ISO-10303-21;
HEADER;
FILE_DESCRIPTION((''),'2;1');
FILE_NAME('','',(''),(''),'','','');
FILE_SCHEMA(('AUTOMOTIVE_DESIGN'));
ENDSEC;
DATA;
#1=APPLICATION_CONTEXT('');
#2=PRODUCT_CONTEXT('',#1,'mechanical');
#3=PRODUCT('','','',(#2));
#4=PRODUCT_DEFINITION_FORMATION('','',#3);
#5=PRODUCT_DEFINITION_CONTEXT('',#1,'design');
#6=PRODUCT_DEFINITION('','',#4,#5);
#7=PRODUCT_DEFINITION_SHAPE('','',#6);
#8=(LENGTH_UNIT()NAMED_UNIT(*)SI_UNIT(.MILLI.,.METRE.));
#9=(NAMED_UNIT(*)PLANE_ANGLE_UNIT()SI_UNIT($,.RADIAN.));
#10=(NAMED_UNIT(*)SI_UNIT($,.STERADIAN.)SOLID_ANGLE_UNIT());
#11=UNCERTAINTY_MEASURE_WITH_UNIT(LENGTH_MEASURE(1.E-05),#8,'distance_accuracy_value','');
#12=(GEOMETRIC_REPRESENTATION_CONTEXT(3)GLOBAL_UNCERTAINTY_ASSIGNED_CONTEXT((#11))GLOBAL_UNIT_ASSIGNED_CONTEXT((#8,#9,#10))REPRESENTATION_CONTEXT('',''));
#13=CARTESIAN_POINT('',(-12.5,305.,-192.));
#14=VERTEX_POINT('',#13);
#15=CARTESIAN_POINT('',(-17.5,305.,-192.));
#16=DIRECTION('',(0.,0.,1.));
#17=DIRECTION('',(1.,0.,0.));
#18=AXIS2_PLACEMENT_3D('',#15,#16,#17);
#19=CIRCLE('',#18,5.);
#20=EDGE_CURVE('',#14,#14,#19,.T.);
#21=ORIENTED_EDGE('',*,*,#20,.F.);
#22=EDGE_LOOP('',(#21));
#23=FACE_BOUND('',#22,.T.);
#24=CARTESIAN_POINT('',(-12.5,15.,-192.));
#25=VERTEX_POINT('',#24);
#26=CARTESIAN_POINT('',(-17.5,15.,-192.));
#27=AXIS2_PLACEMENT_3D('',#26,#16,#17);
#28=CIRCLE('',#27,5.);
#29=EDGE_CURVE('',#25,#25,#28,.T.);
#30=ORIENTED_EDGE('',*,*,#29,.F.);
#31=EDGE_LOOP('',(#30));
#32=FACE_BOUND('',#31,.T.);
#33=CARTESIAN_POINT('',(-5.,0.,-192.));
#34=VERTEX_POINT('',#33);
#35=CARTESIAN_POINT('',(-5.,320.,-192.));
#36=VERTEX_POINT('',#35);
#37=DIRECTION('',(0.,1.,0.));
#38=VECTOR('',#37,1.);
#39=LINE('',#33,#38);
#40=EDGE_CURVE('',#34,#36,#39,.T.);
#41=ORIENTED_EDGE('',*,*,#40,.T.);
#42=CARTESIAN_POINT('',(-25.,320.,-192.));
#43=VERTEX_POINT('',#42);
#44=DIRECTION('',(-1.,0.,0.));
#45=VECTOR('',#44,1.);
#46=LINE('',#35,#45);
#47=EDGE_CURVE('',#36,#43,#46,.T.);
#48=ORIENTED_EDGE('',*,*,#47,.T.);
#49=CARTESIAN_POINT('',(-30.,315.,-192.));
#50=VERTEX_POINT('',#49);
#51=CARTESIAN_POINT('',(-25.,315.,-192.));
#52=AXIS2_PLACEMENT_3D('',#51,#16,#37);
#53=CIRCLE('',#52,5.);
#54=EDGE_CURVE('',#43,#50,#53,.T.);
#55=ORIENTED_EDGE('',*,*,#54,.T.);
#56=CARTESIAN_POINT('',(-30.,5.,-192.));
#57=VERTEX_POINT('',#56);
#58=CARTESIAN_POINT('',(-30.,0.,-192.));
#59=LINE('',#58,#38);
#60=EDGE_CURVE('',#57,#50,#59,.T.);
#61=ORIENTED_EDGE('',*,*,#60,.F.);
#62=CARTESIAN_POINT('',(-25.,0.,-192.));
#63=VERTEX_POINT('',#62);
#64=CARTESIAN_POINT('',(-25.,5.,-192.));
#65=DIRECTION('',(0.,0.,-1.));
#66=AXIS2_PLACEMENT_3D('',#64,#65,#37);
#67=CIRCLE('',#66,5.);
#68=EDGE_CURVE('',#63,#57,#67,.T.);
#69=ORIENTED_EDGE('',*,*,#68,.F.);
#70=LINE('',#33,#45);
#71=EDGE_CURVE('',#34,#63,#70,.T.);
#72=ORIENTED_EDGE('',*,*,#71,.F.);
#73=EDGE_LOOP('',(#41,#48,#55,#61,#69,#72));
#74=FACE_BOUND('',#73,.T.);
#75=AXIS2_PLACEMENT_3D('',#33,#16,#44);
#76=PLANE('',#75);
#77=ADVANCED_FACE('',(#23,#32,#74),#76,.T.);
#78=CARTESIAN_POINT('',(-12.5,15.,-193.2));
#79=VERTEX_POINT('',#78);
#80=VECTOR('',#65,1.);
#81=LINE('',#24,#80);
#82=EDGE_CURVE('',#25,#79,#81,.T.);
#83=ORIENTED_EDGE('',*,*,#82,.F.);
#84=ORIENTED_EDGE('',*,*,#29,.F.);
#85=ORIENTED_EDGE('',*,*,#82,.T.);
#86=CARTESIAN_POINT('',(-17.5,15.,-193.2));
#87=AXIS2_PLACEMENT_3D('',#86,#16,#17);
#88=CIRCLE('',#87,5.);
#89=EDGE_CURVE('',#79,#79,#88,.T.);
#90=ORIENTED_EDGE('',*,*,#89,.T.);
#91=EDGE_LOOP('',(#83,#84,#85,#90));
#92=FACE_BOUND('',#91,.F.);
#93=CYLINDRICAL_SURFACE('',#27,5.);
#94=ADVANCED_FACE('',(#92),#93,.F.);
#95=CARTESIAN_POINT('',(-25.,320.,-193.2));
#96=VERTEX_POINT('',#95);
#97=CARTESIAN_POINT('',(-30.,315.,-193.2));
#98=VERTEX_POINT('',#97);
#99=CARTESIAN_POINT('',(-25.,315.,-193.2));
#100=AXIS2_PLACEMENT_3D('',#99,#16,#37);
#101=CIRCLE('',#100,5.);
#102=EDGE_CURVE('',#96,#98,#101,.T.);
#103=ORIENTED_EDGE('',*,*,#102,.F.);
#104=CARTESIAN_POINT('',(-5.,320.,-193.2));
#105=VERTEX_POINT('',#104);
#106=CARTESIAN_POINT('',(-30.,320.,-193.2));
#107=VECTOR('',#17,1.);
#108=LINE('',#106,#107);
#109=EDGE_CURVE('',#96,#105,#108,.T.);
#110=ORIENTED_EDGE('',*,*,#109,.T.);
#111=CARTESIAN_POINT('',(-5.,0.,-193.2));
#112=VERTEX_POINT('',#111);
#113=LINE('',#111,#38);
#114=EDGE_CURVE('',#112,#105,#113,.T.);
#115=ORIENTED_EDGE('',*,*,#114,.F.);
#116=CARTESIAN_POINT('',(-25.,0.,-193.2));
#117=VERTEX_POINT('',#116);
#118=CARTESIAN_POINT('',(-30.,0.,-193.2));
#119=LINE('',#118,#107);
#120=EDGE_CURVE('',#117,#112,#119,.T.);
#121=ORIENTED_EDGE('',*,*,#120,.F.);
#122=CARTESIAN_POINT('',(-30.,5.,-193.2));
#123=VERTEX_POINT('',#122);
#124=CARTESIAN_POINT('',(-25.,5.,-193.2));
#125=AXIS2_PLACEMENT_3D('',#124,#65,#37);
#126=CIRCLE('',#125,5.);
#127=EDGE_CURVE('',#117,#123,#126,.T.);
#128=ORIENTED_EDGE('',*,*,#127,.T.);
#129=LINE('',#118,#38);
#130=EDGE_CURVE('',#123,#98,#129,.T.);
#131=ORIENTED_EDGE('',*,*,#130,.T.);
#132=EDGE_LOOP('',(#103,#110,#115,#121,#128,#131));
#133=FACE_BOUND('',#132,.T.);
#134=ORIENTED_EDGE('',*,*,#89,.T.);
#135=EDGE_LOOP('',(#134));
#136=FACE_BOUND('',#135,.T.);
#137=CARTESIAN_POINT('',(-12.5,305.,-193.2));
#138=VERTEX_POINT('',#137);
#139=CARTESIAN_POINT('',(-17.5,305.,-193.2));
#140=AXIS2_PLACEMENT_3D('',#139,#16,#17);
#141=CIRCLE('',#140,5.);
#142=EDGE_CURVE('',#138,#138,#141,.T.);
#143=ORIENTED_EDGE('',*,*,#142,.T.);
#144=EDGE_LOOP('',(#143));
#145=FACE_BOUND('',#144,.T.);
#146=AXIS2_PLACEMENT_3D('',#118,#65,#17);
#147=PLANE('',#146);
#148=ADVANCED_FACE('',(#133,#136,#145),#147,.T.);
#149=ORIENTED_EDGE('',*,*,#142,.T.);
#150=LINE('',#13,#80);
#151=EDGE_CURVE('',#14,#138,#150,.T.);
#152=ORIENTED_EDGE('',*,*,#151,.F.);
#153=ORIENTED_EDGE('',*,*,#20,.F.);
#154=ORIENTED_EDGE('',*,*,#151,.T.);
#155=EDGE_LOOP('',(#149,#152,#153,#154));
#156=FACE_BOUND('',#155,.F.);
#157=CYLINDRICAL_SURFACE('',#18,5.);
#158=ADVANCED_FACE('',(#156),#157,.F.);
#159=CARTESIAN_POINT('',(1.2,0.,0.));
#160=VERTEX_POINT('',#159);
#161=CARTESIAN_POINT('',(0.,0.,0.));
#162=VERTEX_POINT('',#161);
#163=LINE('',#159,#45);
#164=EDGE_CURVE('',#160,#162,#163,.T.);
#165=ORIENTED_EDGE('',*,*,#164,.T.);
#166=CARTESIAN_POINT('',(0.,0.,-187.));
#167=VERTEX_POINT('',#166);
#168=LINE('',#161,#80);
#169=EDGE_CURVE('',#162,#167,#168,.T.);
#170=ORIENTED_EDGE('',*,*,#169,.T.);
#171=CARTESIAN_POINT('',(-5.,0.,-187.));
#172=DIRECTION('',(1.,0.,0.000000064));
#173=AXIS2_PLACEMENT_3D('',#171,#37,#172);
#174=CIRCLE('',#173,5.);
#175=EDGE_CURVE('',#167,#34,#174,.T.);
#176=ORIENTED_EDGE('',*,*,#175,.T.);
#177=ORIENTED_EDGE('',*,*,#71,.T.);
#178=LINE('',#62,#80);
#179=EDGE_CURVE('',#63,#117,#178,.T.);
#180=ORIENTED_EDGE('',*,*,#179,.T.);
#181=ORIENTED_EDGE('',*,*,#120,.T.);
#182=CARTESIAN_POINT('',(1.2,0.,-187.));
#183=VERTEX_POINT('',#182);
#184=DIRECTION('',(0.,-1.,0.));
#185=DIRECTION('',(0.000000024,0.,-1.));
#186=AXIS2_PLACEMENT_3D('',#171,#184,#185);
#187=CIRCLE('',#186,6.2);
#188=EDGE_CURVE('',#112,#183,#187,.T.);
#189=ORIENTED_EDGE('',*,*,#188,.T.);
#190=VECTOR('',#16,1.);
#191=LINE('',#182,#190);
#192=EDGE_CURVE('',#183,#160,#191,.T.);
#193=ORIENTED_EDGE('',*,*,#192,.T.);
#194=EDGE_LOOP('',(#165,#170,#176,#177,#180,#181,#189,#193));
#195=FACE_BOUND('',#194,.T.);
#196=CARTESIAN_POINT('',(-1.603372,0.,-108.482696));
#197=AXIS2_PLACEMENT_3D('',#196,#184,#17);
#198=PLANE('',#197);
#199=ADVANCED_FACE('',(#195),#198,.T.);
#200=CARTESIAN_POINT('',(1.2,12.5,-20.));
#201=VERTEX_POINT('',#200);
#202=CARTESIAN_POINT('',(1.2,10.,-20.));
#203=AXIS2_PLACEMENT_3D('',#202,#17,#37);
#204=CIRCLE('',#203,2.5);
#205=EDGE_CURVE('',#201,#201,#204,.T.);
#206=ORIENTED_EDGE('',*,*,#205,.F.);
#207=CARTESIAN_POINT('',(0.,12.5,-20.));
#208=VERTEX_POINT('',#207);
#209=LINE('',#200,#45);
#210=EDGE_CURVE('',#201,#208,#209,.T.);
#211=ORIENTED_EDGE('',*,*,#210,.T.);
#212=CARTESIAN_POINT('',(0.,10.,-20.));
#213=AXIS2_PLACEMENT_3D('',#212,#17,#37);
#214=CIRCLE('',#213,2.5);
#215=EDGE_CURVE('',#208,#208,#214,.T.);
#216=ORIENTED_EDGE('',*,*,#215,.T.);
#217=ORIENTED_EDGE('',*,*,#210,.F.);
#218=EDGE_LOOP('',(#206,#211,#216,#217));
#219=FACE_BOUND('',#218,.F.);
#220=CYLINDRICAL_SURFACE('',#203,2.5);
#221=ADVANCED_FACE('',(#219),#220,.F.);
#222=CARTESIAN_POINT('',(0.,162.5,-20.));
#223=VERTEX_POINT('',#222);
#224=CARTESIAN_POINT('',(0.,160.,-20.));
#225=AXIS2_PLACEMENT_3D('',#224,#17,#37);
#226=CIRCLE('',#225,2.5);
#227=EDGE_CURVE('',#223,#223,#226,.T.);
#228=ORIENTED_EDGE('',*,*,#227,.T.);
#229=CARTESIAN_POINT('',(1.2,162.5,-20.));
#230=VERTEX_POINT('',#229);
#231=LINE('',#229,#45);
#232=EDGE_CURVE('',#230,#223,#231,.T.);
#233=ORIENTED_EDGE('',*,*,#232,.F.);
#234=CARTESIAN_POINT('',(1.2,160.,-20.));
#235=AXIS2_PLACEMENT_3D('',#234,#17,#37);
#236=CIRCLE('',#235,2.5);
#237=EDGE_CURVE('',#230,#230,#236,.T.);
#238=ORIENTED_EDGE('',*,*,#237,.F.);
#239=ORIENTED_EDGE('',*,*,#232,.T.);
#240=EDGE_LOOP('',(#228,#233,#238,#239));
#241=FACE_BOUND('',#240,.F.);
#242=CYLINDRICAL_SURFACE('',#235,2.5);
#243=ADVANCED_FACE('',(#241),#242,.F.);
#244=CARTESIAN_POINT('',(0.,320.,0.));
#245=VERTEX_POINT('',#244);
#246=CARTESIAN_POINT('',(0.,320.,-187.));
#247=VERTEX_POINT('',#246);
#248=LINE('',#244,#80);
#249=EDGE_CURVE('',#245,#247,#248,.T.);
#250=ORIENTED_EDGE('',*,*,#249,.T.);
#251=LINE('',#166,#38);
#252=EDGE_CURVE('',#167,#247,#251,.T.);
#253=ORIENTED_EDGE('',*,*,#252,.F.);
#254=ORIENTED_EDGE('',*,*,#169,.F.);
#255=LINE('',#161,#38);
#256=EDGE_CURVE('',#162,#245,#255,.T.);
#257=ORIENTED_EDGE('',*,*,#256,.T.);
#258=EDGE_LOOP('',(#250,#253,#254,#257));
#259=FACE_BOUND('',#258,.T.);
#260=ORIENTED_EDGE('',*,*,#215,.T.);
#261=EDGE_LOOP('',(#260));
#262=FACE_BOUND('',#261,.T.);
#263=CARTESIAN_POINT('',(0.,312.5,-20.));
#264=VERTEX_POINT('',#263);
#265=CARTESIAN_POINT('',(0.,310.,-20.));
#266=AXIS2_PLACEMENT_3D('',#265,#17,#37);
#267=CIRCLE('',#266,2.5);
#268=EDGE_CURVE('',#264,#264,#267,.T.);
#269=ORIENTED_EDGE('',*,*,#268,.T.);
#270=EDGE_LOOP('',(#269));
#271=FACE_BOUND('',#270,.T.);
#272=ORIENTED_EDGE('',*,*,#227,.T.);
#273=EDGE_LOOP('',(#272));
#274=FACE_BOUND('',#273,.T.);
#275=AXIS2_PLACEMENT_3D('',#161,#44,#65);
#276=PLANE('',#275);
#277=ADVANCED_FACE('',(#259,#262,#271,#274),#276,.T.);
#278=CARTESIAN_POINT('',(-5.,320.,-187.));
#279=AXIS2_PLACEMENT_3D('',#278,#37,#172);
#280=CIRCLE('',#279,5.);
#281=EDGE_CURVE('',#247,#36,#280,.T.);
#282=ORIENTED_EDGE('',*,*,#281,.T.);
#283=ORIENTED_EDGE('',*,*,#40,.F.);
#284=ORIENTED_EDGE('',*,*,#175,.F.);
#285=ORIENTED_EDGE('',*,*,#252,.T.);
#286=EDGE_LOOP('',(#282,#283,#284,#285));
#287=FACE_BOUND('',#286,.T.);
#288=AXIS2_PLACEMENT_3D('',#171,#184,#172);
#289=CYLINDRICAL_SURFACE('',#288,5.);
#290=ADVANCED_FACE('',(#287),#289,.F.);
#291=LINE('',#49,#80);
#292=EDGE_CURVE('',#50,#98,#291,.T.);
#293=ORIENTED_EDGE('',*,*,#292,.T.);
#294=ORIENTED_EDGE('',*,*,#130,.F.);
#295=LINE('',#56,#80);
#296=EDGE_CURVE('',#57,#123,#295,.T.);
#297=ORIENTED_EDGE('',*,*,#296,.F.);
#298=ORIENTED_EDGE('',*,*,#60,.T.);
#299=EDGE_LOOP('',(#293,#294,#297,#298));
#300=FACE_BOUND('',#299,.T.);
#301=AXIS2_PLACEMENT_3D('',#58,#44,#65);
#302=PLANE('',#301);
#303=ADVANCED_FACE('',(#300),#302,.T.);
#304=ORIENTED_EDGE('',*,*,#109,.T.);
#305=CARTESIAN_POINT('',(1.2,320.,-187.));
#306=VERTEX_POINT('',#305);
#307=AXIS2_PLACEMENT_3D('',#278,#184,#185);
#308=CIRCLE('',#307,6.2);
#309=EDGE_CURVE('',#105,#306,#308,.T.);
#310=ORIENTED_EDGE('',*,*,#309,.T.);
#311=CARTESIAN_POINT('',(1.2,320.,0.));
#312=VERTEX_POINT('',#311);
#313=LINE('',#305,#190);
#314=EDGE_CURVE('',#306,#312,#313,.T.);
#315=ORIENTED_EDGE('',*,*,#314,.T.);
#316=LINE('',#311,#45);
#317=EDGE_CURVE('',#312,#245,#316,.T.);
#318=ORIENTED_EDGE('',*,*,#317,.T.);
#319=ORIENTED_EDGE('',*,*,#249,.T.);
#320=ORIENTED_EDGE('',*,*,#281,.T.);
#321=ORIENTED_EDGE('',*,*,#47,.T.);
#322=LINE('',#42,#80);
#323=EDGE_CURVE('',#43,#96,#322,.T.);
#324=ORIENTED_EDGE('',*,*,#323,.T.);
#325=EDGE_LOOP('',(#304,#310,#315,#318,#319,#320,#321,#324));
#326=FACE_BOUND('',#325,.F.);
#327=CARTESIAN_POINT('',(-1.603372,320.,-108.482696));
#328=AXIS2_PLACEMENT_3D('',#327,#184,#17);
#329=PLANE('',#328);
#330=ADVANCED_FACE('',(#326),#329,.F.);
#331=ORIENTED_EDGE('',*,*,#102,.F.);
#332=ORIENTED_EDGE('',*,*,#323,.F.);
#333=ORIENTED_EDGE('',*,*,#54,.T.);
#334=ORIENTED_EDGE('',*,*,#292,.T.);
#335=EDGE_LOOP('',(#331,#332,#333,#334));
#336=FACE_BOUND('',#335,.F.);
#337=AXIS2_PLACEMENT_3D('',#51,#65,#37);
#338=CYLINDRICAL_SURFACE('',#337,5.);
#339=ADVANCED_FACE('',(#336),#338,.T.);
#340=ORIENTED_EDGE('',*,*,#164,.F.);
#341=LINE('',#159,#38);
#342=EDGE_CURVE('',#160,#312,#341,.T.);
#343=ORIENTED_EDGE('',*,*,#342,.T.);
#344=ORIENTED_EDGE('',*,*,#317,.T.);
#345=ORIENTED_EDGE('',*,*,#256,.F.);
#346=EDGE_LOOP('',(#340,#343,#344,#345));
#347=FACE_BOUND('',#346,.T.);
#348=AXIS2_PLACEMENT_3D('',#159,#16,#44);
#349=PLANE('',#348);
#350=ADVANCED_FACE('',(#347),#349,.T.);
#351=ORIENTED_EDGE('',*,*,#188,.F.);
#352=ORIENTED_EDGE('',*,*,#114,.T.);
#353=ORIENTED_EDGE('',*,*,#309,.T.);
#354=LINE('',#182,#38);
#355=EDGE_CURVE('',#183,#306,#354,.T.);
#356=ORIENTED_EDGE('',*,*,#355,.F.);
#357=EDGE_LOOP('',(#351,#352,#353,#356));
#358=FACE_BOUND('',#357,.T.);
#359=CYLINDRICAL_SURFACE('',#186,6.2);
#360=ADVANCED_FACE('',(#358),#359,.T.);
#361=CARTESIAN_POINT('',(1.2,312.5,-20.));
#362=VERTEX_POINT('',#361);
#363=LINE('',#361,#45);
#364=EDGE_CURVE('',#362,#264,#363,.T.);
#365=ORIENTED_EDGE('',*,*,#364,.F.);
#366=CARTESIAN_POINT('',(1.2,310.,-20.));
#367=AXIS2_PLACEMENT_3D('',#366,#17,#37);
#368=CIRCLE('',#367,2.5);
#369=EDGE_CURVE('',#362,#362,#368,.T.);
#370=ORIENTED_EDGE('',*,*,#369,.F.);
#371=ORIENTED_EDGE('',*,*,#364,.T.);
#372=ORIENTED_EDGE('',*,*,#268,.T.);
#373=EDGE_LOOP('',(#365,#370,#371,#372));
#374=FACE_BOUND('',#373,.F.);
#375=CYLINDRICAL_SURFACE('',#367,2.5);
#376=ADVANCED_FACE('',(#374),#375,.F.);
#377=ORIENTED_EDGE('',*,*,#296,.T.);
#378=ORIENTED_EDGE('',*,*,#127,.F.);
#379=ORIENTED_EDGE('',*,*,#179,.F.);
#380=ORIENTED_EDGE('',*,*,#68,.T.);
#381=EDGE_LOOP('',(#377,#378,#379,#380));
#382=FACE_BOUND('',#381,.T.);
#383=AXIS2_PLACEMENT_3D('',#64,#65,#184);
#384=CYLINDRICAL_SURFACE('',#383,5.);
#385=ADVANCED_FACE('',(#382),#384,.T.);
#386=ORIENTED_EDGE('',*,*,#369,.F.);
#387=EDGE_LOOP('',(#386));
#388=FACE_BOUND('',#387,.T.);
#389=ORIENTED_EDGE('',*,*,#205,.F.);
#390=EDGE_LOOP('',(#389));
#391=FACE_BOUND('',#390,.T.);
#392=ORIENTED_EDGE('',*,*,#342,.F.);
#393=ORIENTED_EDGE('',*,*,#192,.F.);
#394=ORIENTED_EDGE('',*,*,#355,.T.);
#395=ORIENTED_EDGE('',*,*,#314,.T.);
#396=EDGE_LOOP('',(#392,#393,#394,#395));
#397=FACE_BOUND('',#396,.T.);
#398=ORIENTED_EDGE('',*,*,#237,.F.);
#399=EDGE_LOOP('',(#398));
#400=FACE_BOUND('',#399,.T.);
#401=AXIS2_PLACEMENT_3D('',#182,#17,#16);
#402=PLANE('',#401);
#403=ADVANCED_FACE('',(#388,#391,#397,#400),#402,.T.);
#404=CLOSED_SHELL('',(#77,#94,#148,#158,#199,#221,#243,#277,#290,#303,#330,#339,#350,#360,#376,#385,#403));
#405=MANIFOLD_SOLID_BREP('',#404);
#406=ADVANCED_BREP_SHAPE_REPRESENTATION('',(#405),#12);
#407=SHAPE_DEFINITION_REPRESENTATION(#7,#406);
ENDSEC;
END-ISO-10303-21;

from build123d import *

# Parameters (mm, degrees)
F1_DEPTH = 320
F2_R     = 5
F3_DEPTH = 1.2
F4_R     = 5
F5_R     = 2.5
F6_DEPTH = 1.2


with BuildPart() as f1:
    # F0 (on Front) → F1 (new body)
    with BuildSketch(Plane.XZ):
        with BuildLine():
            Line((1.2, 0), (0, 0))
            Line((0, 0), (0, -187))
            ThreePointArc((0, -187), (-1.464466, -190.535534), (-5, -192))
            Line((-5, -192), (-30, -192))
            Line((-30, -192), (-30, -193.2))
            Line((-30, -193.2), (-5, -193.2))
            ThreePointArc((-5, -193.2), (-0.615938, -191.384062), (1.2, -187))
            Line((1.2, -187), (1.2, 0))
        make_face()
    extrude(amount=-F1_DEPTH)

    # F2 (on face) → F3 (cut, through all)
    with BuildSketch(Plane.XY.offset(-192)):
        with Locations((-17.5, 305)):
            Circle(F2_R)
        with Locations((-17.5, 15)):
            Circle(F2_R)
    extrude(amount=-F3_DEPTH, mode=Mode.SUBTRACT)

    # F4
    f4_edges = [f1.edges().sort_by_distance(p)[0] for p in [
        (-30, 320, -192.6),
        (-30, 0, -192.6),
    ]]
    fillet(f4_edges, radius=F4_R)

    # F5 (on face) → F6 (cut, through all)
    with BuildSketch(Plane.YZ.offset(1.2)):
        with Locations((10, -20)):
            Circle(F5_R)
        with Locations((160, -20)):
            Circle(F5_R)
        with Locations((310, -20)):
            Circle(F5_R)
    extrude(amount=-F6_DEPTH, mode=Mode.SUBTRACT)


solid = f1.part
